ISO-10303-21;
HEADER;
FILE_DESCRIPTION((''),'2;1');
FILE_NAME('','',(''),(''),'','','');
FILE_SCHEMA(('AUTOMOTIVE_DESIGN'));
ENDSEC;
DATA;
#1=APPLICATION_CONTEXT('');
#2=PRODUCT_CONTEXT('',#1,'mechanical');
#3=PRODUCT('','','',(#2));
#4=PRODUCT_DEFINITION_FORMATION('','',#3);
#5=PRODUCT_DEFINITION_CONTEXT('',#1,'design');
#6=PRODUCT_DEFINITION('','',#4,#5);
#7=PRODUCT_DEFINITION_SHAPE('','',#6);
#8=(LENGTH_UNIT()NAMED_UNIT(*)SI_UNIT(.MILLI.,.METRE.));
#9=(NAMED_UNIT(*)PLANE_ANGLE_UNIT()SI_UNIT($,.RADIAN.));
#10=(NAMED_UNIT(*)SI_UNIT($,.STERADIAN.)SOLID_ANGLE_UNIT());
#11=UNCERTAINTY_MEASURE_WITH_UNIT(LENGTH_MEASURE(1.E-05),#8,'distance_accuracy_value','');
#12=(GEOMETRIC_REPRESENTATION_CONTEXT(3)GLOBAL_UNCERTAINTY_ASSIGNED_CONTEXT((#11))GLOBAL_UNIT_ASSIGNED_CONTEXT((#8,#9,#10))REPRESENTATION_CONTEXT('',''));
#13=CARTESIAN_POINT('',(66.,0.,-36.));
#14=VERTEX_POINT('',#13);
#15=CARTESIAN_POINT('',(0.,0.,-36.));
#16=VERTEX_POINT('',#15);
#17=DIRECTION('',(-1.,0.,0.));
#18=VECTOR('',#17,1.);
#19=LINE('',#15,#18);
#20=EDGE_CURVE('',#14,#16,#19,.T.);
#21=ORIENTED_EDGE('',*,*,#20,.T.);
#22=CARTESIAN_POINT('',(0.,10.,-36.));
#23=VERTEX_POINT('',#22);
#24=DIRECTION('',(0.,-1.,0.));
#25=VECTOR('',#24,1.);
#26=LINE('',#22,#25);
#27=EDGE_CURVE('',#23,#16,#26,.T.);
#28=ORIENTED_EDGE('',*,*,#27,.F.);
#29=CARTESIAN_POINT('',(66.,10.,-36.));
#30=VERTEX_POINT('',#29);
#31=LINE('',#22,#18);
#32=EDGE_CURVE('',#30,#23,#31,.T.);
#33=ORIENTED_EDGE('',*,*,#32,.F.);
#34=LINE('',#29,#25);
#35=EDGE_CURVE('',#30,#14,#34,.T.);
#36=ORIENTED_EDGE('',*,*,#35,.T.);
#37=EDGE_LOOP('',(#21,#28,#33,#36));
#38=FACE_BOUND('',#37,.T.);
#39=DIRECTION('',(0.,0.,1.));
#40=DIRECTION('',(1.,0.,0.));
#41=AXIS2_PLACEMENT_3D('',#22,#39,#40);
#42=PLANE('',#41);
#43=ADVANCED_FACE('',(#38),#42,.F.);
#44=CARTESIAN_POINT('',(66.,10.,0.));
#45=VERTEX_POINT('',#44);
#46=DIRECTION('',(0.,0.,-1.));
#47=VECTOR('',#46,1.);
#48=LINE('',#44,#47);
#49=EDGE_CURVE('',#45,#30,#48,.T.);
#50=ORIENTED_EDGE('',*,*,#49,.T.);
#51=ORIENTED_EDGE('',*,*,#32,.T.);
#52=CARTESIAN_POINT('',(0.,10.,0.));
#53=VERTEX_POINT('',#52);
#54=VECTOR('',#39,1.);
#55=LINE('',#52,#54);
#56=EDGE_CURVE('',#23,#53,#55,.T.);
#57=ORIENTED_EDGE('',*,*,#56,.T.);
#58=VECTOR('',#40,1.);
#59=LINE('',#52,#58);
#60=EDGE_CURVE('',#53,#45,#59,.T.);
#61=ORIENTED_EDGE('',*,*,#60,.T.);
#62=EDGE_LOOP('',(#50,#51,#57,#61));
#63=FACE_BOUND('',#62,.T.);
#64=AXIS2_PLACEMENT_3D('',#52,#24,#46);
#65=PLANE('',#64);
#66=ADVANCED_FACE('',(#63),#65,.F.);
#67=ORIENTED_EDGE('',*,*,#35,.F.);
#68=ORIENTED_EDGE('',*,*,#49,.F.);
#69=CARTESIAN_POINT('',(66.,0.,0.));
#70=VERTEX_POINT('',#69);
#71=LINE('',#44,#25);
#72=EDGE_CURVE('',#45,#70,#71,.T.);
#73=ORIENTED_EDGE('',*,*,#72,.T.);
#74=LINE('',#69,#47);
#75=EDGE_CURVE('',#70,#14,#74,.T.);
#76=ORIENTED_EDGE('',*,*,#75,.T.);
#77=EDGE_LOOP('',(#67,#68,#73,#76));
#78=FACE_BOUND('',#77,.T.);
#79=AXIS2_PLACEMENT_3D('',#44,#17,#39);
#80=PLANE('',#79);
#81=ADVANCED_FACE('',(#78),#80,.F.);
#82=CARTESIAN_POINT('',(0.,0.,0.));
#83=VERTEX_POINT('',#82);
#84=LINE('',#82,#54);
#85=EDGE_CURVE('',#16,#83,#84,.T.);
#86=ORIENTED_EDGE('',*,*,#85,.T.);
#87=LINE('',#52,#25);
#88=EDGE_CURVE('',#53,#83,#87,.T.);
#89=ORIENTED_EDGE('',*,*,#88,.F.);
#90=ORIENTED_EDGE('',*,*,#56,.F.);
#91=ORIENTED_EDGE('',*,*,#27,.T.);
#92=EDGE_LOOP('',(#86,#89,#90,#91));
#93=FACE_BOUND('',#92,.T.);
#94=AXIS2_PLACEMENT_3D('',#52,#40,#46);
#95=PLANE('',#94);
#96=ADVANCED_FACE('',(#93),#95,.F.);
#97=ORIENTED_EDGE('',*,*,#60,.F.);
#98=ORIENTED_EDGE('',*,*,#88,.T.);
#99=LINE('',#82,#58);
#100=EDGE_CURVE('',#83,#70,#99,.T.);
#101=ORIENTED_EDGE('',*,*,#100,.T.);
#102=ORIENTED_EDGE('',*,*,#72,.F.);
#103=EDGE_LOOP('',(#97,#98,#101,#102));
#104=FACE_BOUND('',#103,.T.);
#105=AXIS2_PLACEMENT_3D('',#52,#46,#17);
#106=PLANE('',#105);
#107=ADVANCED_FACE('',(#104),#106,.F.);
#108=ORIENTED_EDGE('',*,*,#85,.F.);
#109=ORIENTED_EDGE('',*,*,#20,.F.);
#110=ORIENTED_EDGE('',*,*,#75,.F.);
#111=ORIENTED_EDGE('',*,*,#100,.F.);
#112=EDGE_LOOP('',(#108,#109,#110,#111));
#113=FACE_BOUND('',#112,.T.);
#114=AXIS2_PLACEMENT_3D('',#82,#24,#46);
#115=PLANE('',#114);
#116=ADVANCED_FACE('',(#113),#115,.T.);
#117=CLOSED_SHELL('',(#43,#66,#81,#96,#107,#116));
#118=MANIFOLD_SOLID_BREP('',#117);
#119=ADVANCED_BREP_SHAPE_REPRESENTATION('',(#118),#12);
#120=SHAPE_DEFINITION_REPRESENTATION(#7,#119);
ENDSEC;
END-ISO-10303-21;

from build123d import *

# Parameters (mm, degrees)
SKETCH1_W           = 66
SKETCH1_H           = 36
BOSS_EXTRUDE1_DEPTH = 10


with BuildPart() as part:
    # Sketch1 → Boss-Extrude1 (new body)
    with BuildSketch(Plane(origin=(0, 0, 0), x_dir=(1, 0, 0), z_dir=(0, 1, 0))):
        with Locations((33, 18)):
            Rectangle(SKETCH1_W, SKETCH1_H)
    extrude(amount=BOSS_EXTRUDE1_DEPTH)


solid = part.part
